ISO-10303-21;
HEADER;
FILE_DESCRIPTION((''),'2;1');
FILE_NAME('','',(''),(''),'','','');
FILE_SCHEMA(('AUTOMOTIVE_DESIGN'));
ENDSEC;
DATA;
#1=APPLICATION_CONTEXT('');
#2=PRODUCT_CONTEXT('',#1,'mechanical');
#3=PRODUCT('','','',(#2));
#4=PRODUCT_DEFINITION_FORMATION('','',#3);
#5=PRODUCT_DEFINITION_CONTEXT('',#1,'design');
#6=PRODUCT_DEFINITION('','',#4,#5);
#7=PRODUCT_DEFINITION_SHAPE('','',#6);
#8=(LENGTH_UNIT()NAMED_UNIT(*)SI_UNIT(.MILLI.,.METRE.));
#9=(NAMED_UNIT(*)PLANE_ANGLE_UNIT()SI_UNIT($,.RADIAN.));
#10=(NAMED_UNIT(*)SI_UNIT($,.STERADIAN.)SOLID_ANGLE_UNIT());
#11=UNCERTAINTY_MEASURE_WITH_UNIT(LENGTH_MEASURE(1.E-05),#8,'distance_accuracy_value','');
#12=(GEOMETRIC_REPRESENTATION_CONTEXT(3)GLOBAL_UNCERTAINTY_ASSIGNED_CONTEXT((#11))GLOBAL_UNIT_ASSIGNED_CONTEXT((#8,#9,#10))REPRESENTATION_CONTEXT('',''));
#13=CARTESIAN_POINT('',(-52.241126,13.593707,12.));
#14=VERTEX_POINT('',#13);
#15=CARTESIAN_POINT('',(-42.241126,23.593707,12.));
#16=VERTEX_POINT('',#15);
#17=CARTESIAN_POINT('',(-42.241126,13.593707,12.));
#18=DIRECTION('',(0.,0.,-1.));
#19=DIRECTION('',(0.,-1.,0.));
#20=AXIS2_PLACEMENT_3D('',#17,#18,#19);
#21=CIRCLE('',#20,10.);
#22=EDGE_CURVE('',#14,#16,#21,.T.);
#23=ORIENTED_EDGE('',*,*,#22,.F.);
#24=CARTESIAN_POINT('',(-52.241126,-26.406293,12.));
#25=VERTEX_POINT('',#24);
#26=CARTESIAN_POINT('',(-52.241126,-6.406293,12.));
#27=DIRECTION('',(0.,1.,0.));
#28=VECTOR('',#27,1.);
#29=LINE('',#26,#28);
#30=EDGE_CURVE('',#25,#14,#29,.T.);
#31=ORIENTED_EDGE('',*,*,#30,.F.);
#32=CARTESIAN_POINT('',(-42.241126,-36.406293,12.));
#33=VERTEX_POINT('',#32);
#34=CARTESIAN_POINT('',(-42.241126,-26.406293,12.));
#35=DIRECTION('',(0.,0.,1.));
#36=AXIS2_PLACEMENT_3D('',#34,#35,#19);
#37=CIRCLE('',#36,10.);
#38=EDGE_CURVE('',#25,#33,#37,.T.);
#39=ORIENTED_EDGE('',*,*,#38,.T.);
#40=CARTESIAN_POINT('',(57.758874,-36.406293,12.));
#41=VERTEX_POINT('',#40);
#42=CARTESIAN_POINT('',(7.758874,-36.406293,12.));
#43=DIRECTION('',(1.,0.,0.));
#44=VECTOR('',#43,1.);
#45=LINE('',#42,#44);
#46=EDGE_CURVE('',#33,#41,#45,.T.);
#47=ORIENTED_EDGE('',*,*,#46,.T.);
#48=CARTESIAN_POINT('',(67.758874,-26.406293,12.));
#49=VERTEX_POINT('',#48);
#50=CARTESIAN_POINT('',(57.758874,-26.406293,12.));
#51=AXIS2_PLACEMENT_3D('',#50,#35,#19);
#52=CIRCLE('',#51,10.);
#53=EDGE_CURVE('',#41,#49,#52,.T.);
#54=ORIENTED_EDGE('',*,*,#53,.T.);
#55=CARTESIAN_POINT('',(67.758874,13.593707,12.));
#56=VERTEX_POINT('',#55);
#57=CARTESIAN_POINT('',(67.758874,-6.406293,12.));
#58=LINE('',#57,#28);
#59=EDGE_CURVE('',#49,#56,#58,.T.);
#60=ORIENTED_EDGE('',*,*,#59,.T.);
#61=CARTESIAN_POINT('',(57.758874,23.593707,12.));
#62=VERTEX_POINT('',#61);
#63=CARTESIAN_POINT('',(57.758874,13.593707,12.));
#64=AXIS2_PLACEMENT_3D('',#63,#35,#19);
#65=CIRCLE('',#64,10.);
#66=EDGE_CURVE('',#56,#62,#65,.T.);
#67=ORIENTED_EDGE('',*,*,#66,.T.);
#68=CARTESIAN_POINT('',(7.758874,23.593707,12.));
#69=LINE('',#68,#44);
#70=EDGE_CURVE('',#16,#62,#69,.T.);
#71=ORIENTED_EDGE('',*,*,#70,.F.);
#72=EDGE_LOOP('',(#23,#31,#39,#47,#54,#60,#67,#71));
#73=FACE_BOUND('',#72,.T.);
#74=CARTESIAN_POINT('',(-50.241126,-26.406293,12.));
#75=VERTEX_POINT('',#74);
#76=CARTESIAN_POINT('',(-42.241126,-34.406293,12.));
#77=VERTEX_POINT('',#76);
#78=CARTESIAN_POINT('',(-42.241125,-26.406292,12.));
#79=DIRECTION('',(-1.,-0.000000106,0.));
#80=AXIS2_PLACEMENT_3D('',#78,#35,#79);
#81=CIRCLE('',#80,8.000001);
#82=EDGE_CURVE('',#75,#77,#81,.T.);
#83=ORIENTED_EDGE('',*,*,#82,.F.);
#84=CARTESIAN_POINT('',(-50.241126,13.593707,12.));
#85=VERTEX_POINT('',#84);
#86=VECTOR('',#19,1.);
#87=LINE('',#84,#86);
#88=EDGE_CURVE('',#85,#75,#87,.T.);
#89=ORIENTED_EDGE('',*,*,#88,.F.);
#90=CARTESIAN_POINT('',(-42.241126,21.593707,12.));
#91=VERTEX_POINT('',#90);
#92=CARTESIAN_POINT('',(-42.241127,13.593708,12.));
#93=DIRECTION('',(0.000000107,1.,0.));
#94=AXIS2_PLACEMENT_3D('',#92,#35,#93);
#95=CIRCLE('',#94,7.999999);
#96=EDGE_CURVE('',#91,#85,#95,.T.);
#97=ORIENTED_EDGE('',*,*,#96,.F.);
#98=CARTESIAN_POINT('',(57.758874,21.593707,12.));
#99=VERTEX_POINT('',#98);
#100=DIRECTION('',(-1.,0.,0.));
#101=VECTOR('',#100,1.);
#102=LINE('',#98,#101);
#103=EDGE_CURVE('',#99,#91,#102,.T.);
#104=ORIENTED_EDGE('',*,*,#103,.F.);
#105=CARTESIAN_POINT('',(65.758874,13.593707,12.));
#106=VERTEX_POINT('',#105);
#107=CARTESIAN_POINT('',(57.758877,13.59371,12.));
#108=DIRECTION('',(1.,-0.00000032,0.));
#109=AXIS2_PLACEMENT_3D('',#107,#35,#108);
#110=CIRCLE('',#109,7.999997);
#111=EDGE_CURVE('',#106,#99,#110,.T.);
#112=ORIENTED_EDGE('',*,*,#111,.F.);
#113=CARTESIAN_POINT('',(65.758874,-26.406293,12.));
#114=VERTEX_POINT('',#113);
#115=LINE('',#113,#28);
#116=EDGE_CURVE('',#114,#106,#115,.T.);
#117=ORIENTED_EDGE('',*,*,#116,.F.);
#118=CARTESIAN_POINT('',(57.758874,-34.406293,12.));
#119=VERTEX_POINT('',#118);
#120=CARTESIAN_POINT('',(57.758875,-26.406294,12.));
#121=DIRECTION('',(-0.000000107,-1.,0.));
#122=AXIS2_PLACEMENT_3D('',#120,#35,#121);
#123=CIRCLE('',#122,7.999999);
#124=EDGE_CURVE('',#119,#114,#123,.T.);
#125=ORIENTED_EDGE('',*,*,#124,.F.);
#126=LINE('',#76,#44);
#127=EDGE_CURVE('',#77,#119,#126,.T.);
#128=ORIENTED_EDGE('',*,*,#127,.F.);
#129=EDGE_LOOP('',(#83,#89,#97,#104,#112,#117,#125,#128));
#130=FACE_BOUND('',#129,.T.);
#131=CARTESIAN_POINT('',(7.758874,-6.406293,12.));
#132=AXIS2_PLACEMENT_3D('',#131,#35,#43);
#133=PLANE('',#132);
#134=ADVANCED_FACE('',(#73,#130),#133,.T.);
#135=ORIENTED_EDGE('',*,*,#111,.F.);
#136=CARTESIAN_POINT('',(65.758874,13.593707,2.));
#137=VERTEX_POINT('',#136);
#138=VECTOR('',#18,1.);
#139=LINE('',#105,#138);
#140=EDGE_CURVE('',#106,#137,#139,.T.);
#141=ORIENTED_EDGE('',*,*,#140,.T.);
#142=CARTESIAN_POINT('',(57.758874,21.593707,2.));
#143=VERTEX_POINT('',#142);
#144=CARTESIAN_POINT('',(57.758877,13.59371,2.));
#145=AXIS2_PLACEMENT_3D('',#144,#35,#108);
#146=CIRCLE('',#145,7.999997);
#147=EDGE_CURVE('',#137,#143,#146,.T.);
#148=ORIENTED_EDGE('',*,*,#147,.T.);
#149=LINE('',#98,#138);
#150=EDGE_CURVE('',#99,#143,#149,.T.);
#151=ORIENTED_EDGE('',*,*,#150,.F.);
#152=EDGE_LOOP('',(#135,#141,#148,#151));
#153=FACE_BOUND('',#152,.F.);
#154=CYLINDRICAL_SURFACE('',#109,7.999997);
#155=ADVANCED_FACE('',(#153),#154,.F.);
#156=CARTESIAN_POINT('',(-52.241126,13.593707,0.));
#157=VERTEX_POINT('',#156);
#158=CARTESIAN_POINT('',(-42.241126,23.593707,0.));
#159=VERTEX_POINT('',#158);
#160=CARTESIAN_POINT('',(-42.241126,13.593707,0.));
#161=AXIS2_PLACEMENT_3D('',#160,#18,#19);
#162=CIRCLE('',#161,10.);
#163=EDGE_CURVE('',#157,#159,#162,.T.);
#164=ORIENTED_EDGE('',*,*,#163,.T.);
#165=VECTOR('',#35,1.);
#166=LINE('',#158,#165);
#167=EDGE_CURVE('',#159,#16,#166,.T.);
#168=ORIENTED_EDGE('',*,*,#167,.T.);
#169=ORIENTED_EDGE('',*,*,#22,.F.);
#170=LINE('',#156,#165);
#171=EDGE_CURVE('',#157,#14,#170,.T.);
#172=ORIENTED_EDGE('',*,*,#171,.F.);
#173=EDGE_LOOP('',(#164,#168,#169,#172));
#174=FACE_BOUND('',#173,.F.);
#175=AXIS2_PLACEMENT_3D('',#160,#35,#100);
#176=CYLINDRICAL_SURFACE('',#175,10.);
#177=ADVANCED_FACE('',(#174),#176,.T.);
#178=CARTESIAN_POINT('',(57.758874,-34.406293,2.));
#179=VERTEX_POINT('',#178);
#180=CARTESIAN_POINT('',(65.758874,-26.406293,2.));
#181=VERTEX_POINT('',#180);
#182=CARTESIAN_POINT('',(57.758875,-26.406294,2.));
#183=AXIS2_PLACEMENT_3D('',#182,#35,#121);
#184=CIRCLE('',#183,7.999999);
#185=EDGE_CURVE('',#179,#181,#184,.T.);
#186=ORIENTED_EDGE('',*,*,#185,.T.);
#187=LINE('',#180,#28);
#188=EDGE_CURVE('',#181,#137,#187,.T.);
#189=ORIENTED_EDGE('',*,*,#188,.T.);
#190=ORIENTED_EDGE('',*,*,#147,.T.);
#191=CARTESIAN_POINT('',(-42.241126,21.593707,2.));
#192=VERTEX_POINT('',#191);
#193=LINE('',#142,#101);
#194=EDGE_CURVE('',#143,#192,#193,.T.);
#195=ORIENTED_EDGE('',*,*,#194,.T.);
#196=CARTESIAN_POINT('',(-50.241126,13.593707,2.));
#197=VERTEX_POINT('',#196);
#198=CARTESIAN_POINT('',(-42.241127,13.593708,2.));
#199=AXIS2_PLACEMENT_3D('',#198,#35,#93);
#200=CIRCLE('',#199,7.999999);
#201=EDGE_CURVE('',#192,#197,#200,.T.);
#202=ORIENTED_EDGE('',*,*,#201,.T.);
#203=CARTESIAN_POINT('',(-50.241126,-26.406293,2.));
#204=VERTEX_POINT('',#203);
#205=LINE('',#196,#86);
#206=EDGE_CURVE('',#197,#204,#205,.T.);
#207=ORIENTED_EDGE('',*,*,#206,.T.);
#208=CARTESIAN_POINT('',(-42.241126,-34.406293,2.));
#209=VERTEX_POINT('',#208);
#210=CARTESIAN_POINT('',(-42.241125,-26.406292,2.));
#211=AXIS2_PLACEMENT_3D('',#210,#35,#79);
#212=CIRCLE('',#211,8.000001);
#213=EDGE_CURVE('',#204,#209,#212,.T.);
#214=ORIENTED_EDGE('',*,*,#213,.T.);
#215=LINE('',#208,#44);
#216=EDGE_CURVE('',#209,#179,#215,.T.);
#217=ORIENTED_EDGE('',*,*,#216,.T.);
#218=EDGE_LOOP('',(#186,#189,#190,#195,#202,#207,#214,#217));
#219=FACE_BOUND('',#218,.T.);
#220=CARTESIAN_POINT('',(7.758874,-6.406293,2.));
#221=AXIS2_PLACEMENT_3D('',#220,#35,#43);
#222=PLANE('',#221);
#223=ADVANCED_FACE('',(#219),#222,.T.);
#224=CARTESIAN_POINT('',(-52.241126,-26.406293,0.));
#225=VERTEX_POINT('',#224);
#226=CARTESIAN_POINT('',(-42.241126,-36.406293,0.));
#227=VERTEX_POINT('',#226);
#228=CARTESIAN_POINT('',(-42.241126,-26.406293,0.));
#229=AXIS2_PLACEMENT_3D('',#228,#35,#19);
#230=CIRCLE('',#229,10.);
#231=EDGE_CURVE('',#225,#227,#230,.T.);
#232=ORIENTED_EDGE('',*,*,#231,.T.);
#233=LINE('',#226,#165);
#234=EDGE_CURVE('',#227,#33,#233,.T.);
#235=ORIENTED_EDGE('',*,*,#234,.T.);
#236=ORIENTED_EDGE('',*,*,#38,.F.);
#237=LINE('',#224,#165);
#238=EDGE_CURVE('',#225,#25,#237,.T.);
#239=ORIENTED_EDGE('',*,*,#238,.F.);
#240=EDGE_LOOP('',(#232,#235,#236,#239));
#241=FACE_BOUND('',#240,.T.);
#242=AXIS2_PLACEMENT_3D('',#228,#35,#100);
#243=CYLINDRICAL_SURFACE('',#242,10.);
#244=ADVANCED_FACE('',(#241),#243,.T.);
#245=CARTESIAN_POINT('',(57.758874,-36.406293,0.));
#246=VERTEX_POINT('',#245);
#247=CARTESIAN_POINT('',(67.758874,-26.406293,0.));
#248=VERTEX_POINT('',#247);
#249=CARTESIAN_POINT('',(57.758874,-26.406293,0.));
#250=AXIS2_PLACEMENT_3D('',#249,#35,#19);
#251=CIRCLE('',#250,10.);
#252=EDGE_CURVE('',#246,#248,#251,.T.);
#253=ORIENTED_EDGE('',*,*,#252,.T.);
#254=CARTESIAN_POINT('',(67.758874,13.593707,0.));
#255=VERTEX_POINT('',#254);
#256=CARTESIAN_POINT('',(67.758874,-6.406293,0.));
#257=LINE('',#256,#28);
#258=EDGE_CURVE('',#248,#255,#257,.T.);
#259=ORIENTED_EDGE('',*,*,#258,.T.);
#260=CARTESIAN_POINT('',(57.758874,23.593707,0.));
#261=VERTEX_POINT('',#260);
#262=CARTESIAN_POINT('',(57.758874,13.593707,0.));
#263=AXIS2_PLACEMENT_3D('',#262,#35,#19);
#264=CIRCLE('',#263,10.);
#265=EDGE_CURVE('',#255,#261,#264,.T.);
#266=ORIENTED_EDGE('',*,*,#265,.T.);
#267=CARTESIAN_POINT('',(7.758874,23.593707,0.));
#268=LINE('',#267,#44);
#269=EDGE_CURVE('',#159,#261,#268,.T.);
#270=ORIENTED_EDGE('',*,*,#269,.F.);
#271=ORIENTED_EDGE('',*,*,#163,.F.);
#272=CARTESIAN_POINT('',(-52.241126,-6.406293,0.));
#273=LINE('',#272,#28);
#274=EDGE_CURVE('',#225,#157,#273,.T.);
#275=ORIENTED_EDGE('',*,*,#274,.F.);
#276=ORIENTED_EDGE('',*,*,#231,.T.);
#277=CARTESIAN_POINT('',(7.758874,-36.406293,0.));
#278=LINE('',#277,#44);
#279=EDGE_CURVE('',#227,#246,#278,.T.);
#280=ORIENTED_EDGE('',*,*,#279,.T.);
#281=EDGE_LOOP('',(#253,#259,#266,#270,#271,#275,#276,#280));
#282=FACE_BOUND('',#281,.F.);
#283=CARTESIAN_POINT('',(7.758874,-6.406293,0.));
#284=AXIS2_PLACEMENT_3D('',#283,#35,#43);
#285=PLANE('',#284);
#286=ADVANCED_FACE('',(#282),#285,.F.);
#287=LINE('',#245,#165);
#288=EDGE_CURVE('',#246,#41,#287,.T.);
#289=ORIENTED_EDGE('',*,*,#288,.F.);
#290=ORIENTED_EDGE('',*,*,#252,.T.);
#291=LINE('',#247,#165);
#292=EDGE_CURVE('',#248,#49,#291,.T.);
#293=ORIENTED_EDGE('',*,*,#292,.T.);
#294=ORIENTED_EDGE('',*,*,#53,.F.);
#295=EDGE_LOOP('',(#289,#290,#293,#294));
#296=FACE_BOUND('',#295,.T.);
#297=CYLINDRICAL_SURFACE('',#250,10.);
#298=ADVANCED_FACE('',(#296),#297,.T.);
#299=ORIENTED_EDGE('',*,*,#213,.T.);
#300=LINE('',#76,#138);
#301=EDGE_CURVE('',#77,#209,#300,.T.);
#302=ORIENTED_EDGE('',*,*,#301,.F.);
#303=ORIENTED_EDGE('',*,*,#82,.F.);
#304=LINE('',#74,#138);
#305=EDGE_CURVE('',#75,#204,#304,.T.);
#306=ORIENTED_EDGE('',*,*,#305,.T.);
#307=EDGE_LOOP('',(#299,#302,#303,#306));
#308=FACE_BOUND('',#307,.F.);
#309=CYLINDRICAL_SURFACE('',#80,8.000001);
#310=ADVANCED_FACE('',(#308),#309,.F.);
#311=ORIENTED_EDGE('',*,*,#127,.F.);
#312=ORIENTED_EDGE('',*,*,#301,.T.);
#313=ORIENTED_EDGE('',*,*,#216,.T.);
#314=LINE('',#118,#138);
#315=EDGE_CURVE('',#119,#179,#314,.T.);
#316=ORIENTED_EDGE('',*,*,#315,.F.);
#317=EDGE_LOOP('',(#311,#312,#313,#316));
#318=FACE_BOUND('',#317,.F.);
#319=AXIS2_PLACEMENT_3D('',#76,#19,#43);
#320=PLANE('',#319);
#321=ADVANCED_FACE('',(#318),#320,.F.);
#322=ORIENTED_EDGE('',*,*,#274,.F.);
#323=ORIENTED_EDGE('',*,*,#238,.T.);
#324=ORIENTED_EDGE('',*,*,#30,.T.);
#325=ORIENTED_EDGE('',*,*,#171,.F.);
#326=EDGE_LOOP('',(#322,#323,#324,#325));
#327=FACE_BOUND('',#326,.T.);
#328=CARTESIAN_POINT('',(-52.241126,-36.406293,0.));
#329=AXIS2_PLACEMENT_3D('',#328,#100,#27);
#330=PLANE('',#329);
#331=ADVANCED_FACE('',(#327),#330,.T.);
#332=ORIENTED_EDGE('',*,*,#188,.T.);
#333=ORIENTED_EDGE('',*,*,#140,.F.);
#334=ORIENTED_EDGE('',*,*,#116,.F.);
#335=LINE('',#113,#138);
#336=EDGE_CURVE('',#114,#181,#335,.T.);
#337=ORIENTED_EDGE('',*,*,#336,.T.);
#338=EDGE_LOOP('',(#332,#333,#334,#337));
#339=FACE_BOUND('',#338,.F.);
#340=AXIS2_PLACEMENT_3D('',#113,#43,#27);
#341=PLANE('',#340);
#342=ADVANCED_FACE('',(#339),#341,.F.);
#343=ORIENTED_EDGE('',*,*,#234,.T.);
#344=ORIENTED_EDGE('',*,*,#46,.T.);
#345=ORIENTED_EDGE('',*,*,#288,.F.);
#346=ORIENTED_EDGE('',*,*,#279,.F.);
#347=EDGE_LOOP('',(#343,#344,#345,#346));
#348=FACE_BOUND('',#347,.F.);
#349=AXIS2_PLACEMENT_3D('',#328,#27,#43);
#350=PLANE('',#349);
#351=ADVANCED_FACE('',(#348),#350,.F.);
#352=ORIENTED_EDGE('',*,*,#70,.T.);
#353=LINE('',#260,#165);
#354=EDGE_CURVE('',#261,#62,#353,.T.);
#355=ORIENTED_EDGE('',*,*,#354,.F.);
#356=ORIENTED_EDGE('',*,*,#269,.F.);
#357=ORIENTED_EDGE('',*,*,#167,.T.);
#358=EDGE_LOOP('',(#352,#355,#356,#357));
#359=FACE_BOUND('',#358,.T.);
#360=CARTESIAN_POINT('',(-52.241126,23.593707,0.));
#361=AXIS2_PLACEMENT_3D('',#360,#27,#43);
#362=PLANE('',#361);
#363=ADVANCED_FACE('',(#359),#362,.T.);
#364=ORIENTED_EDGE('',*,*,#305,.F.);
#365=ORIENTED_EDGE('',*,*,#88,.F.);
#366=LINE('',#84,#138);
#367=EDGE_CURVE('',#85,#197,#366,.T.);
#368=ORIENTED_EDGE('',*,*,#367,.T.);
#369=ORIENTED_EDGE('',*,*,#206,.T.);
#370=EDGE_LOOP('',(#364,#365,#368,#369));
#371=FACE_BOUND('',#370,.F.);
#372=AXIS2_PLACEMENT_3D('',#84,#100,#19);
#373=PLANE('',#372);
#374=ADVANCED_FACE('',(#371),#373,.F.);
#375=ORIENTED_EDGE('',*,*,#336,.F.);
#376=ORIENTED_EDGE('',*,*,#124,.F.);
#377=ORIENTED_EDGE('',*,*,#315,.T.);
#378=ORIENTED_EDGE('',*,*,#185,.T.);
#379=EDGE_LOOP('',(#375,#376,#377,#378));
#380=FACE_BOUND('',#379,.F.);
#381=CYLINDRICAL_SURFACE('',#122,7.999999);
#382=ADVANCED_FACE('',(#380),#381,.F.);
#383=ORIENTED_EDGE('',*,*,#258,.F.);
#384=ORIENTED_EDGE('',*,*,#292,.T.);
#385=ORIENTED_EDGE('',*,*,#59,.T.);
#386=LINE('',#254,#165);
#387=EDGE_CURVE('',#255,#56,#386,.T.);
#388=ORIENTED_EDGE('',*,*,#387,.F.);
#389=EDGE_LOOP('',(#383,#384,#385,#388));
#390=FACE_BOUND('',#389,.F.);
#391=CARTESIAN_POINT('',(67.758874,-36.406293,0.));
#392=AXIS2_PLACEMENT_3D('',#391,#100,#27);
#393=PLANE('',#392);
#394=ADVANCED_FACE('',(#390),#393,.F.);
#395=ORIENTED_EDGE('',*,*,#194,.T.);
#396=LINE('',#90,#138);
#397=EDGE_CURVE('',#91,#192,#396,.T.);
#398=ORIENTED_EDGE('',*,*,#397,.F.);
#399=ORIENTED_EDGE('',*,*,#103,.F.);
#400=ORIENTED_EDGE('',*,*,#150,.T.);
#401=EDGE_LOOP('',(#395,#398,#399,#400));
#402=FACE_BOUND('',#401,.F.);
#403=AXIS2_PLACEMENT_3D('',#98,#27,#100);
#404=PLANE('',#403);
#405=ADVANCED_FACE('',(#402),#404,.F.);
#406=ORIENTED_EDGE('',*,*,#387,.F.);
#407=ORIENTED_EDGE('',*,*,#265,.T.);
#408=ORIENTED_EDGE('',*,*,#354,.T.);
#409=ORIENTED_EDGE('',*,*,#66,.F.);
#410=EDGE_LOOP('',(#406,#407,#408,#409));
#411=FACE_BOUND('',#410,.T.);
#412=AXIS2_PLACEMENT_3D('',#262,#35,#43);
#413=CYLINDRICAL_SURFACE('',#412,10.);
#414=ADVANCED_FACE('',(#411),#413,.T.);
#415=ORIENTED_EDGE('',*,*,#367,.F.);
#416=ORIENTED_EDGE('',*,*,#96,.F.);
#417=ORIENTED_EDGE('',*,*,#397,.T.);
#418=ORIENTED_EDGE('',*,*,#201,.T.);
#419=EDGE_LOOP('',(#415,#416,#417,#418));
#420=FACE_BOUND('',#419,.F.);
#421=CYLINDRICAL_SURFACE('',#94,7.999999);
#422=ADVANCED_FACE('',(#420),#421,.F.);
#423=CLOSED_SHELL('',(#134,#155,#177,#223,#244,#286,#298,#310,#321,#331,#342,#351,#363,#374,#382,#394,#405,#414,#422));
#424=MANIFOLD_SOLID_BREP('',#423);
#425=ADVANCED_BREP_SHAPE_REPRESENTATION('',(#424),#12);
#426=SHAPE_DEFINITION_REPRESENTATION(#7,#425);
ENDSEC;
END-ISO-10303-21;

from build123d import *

# Parameters (mm, degrees)
F0_W     = 120
F0_H     = 60
F1_DEPTH = 12
F2_R     = 10
F4_DEPTH = 10


with BuildPart() as f1:
    # F0 (on Top) → F1 (new body)
    with BuildSketch(Plane.XY):
        with Locations((7.758874, -6.406293)):
            Rectangle(F0_W, F0_H)
    extrude(amount=F1_DEPTH)

    # F2
    f2_edges = [f1.edges().sort_by_distance(p)[0] for p in [
        (-52.241126, -36.406293, 6),
        (67.758874, -36.406293, 6),
        (67.758874, 23.593707, 6),
        (-52.241126, 23.593707, 6),
    ]]
    fillet(f2_edges, radius=F2_R)

    # F3 (on face) → F4 (cut)
    with BuildSketch(Plane.XY.offset(12)):
        with BuildLine():
            Line((65.758874, -26.406293), (65.758874, 13.593707))
            ThreePointArc((65.758874, 13.593707), (63.415729, 19.250562), (57.758874, 21.593707))
            Line((57.758874, 21.593707), (-42.241126, 21.593707))
            ThreePointArc((-42.241126, 21.593707), (-47.89798, 19.250562), (-50.241126, 13.593707))
            Line((-50.241126, 13.593707), (-50.241126, -26.406293))
            ThreePointArc((-50.241126, -26.406293), (-47.89798, -32.063147), (-42.241126, -34.406293))
            Line((-42.241126, -34.406293), (57.758874, -34.406293))
            ThreePointArc((57.758874, -34.406293), (63.415729, -32.063147), (65.758874, -26.406293))
        make_face()
    extrude(amount=-F4_DEPTH, mode=Mode.SUBTRACT)


solid = f1.part
